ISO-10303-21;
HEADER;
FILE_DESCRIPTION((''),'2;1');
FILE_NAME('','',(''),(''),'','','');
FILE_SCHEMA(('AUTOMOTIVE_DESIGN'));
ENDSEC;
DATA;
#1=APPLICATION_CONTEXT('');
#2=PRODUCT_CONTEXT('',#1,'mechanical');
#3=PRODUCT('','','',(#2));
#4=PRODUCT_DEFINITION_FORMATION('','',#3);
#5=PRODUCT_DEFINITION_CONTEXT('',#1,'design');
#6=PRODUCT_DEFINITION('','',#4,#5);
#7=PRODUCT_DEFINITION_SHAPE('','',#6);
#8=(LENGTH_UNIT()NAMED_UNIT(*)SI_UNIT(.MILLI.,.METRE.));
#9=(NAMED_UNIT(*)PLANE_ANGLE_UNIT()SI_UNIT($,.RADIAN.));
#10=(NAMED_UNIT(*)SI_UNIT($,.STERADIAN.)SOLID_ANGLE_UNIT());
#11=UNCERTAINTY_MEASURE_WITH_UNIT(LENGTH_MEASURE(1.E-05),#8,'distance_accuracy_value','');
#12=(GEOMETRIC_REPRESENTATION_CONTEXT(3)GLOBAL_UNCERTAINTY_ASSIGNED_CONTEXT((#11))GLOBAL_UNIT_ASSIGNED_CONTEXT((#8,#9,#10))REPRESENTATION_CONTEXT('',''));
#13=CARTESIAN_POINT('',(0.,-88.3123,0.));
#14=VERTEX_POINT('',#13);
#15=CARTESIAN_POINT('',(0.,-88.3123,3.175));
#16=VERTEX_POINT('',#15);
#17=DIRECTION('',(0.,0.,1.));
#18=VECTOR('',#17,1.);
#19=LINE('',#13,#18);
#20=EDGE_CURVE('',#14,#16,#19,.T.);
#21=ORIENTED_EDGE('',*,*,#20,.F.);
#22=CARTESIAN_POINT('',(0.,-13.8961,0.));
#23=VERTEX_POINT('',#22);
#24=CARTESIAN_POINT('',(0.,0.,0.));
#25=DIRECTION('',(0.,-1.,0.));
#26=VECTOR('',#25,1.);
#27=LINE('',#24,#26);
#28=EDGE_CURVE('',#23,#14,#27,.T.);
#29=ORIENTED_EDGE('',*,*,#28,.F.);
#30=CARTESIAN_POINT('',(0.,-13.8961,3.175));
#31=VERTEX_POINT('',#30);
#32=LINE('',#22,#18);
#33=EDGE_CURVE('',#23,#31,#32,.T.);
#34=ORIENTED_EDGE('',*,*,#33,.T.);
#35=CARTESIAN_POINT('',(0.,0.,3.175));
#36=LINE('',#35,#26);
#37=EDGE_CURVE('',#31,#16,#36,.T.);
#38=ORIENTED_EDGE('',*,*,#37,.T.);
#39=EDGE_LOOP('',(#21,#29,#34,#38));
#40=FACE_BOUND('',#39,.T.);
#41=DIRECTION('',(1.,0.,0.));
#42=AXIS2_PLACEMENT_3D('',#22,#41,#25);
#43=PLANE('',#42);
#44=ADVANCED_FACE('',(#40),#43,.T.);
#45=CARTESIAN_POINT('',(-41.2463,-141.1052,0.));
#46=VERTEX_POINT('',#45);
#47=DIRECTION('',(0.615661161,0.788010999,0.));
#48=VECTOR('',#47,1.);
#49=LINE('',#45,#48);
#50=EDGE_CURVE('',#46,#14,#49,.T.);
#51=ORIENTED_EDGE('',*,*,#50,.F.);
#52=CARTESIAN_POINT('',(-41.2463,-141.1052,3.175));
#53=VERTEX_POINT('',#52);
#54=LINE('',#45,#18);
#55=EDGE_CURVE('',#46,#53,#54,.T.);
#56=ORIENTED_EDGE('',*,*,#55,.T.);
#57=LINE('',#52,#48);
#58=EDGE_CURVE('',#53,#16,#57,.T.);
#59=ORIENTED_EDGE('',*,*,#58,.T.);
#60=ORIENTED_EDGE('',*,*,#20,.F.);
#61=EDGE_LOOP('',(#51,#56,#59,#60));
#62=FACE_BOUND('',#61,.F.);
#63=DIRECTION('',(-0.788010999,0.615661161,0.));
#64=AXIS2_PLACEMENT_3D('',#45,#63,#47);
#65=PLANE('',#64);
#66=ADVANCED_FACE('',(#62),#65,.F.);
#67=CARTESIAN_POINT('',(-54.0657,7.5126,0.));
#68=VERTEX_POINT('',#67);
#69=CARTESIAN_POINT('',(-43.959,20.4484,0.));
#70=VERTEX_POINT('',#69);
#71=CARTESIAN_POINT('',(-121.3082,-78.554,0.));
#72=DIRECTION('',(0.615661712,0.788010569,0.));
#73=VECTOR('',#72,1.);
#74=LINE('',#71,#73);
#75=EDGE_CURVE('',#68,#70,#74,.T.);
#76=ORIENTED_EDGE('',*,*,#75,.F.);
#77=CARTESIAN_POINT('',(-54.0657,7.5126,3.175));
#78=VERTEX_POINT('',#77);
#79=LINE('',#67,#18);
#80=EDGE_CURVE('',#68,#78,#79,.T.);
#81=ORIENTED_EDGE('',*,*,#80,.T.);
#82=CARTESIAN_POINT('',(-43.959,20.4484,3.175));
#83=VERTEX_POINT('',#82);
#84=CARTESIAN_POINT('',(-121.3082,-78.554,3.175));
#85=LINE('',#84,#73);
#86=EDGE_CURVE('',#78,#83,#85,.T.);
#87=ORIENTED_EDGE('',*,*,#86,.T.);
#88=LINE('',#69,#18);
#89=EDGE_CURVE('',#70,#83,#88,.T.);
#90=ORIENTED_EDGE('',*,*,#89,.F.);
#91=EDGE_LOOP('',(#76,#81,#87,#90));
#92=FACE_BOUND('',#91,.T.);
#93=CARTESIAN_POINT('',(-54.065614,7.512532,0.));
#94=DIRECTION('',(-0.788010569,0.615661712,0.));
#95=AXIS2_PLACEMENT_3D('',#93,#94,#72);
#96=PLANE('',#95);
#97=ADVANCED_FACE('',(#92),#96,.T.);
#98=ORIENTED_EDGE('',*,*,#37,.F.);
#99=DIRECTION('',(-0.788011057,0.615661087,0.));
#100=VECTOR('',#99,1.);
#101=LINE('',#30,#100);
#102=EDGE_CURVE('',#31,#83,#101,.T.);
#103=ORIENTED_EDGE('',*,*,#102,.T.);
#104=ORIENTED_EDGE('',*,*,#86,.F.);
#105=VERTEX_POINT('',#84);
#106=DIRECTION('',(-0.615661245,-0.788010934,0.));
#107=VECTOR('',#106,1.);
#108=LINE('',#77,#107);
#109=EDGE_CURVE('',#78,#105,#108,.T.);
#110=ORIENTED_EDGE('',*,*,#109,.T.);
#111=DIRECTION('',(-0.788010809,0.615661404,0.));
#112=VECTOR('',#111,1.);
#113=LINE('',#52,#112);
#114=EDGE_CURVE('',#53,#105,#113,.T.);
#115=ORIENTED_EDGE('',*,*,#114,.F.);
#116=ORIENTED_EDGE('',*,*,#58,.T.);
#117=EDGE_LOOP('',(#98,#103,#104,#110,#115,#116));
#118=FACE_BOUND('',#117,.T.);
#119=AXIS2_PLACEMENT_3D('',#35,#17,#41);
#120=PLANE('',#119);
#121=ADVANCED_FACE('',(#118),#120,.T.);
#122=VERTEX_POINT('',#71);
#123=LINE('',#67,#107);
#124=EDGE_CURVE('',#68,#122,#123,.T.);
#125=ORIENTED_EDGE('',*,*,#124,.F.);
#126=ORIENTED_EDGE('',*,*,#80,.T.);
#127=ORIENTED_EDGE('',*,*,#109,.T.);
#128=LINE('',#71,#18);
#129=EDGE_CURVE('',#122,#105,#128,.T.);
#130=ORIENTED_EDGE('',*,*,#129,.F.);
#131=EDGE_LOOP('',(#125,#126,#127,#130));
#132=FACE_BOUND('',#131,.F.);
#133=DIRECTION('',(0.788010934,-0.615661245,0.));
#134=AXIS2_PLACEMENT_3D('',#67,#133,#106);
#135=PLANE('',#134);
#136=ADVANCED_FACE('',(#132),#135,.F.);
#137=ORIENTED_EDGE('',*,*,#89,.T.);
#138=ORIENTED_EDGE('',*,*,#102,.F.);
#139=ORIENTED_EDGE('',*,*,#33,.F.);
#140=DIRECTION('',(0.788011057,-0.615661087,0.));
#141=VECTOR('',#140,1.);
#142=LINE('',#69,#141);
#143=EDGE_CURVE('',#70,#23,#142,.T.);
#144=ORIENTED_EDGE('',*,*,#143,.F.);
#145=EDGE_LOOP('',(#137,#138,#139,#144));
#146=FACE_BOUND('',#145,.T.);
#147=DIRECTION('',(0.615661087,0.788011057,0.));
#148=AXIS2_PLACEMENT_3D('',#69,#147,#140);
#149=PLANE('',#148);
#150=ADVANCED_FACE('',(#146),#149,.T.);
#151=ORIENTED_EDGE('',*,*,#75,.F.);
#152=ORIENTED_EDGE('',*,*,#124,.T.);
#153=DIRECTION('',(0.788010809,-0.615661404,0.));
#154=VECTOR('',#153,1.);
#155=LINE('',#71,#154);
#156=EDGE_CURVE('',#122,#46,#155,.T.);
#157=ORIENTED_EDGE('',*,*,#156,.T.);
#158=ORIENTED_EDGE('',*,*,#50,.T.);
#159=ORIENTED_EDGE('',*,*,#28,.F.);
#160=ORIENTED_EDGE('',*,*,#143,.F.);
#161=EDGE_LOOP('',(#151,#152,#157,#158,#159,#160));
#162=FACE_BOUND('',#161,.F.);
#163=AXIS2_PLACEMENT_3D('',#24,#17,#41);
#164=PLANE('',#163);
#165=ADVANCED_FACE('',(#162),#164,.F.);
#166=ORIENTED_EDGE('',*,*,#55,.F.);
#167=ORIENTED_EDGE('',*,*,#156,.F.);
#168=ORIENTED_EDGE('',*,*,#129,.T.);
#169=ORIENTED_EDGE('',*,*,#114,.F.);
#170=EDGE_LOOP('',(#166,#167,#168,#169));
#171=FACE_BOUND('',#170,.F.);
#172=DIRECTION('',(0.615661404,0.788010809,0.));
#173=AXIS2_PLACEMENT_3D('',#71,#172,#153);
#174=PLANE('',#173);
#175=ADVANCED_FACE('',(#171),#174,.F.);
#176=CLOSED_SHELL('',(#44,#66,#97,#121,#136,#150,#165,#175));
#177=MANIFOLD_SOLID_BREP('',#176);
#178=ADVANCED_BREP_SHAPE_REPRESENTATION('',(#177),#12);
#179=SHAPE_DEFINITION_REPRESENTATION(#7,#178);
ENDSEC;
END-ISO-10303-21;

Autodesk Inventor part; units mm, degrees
ref_plane "YZ Plane" through (0, 0, 0) normal (1, 0, 0) x (0, 1, 0)
ref_plane "XZ Plane" through (0, 0, 0) normal (0, 1, 0) x (-1, 0, 0)
ref_plane "XY Plane" through (0, 0, 0) normal (0, 0, 1) x (1, 0, 0)
ref_plane "Work Plane1" through (0, 0, 0) normal (0, 0, 1) x (1, 0, 0)
sketch "Sketch1" plane through (0, 0, 0) normal (0, 0, 1) x (1, 0, 0)
  line L0 (-44.45, -52.3787) -> (-44.45, 0) projected
  line L1 (-54.0657, 7.5126) -> (-44.45, 0) projected
  line L2 (-54.0657, 7.5126) -> (-147.8925, -112.5803) projected
  line L3 (-112.8654, -139.9464) -> (-147.8925, -112.5803) projected
  line L4 (-44.45, -52.3787) -> (-112.8654, -139.9464) projected
  line L5 (-121.3082, -78.554) -> (-41.2463, -141.1052)
  line L6 (-41.2463, -141.1052) -> (0, -88.3123)
  line L7 (-121.3082, -78.554) -> (-43.959, 20.4484)
  line L8 (-43.959, 20.4484) -> (0, -13.8961)
  line L9 (-44.45, -203.2) -> (-44.45, 0)
  line L10 (-44.45, 0) -> (0, 0)
  line L11 (0, 0) -> (0, -203.2)
  line L12 (0, -203.2) -> (-44.45, -203.2)
  line L13 (0, -13.8961) -> (0, -88.3123)
  dimension "d0" = 101.6
  dimension "d1" = 43.18
extrude "Extrusion1" add sketch "Sketch1" along normal blind 3.175 contours L4 L5 L2 L1 L0 | L9 L5 L4 | L0 L10 L8 L11 L6 L5 L9 | L1 L7 L8 L10
properties part number "side plate"
